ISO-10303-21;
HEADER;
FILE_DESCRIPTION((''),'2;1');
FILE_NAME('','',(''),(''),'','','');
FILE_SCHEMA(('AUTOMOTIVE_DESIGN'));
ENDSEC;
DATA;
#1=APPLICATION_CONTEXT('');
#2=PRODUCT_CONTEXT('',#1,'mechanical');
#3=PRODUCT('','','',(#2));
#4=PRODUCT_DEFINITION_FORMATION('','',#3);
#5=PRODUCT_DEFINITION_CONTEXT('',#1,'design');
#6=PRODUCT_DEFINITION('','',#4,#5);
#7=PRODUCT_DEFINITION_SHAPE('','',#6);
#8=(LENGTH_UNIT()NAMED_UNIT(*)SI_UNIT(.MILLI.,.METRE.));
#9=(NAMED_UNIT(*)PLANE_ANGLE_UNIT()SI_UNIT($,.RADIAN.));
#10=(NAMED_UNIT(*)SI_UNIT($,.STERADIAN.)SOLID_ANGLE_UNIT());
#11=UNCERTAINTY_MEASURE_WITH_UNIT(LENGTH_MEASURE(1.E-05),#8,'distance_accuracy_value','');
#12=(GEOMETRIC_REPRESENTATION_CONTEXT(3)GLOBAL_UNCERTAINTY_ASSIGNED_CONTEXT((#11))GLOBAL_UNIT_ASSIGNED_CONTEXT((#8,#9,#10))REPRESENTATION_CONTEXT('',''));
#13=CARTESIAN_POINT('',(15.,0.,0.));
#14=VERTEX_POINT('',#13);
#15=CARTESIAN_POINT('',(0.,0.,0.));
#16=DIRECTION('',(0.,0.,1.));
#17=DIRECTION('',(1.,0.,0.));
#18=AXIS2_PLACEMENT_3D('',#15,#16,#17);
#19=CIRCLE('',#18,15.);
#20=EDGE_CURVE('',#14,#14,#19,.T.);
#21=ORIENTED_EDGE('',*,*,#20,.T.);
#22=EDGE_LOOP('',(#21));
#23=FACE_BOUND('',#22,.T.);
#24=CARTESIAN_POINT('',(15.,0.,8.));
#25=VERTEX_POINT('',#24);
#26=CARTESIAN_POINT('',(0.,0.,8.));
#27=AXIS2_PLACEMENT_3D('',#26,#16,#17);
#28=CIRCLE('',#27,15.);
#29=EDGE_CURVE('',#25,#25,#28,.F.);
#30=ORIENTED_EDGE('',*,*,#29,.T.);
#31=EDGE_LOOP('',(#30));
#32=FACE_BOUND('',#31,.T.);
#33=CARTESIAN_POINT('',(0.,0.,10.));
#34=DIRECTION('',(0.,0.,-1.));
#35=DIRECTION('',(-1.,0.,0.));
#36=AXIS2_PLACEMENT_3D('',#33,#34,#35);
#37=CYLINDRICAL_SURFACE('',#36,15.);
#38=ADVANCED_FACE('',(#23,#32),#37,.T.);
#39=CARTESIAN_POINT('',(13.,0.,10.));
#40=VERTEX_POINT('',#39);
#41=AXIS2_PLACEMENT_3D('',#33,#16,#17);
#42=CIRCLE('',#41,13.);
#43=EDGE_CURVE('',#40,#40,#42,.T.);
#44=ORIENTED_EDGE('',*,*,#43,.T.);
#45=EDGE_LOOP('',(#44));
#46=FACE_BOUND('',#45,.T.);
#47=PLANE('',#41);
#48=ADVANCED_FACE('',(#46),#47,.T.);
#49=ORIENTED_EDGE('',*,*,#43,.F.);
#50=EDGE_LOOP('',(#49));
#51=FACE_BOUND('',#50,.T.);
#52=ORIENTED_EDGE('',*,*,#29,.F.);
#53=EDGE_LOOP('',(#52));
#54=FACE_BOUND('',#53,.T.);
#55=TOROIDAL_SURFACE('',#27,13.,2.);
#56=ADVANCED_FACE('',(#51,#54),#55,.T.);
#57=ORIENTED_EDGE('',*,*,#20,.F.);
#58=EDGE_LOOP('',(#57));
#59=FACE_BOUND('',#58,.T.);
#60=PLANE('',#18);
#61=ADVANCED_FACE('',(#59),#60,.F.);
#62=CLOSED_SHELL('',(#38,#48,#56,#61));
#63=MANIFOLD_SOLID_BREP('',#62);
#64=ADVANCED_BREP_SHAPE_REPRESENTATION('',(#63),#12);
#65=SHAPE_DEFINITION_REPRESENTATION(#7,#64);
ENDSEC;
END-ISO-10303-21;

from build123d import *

# Parameters (mm, degrees)
SKIZZE1_R                       = 15
AUFSATZ_LINEAR_AUSTRAGEN1_DEPTH = 10
VERRUNDUNG1_R                   = 2


with BuildPart() as part:
    # Skizze1 → Aufsatz-Linear austragen1 (new body)
    with BuildSketch(Plane.XY):
        Circle(SKIZZE1_R)
    extrude(amount=AUFSATZ_LINEAR_AUSTRAGEN1_DEPTH)

    # Verrundung1
    verrundung1_edges = [part.edges().sort_by_distance(p)[0] for p in [
        (-15, 0, 10),
    ]]
    fillet(verrundung1_edges, radius=VERRUNDUNG1_R)


solid = part.part
